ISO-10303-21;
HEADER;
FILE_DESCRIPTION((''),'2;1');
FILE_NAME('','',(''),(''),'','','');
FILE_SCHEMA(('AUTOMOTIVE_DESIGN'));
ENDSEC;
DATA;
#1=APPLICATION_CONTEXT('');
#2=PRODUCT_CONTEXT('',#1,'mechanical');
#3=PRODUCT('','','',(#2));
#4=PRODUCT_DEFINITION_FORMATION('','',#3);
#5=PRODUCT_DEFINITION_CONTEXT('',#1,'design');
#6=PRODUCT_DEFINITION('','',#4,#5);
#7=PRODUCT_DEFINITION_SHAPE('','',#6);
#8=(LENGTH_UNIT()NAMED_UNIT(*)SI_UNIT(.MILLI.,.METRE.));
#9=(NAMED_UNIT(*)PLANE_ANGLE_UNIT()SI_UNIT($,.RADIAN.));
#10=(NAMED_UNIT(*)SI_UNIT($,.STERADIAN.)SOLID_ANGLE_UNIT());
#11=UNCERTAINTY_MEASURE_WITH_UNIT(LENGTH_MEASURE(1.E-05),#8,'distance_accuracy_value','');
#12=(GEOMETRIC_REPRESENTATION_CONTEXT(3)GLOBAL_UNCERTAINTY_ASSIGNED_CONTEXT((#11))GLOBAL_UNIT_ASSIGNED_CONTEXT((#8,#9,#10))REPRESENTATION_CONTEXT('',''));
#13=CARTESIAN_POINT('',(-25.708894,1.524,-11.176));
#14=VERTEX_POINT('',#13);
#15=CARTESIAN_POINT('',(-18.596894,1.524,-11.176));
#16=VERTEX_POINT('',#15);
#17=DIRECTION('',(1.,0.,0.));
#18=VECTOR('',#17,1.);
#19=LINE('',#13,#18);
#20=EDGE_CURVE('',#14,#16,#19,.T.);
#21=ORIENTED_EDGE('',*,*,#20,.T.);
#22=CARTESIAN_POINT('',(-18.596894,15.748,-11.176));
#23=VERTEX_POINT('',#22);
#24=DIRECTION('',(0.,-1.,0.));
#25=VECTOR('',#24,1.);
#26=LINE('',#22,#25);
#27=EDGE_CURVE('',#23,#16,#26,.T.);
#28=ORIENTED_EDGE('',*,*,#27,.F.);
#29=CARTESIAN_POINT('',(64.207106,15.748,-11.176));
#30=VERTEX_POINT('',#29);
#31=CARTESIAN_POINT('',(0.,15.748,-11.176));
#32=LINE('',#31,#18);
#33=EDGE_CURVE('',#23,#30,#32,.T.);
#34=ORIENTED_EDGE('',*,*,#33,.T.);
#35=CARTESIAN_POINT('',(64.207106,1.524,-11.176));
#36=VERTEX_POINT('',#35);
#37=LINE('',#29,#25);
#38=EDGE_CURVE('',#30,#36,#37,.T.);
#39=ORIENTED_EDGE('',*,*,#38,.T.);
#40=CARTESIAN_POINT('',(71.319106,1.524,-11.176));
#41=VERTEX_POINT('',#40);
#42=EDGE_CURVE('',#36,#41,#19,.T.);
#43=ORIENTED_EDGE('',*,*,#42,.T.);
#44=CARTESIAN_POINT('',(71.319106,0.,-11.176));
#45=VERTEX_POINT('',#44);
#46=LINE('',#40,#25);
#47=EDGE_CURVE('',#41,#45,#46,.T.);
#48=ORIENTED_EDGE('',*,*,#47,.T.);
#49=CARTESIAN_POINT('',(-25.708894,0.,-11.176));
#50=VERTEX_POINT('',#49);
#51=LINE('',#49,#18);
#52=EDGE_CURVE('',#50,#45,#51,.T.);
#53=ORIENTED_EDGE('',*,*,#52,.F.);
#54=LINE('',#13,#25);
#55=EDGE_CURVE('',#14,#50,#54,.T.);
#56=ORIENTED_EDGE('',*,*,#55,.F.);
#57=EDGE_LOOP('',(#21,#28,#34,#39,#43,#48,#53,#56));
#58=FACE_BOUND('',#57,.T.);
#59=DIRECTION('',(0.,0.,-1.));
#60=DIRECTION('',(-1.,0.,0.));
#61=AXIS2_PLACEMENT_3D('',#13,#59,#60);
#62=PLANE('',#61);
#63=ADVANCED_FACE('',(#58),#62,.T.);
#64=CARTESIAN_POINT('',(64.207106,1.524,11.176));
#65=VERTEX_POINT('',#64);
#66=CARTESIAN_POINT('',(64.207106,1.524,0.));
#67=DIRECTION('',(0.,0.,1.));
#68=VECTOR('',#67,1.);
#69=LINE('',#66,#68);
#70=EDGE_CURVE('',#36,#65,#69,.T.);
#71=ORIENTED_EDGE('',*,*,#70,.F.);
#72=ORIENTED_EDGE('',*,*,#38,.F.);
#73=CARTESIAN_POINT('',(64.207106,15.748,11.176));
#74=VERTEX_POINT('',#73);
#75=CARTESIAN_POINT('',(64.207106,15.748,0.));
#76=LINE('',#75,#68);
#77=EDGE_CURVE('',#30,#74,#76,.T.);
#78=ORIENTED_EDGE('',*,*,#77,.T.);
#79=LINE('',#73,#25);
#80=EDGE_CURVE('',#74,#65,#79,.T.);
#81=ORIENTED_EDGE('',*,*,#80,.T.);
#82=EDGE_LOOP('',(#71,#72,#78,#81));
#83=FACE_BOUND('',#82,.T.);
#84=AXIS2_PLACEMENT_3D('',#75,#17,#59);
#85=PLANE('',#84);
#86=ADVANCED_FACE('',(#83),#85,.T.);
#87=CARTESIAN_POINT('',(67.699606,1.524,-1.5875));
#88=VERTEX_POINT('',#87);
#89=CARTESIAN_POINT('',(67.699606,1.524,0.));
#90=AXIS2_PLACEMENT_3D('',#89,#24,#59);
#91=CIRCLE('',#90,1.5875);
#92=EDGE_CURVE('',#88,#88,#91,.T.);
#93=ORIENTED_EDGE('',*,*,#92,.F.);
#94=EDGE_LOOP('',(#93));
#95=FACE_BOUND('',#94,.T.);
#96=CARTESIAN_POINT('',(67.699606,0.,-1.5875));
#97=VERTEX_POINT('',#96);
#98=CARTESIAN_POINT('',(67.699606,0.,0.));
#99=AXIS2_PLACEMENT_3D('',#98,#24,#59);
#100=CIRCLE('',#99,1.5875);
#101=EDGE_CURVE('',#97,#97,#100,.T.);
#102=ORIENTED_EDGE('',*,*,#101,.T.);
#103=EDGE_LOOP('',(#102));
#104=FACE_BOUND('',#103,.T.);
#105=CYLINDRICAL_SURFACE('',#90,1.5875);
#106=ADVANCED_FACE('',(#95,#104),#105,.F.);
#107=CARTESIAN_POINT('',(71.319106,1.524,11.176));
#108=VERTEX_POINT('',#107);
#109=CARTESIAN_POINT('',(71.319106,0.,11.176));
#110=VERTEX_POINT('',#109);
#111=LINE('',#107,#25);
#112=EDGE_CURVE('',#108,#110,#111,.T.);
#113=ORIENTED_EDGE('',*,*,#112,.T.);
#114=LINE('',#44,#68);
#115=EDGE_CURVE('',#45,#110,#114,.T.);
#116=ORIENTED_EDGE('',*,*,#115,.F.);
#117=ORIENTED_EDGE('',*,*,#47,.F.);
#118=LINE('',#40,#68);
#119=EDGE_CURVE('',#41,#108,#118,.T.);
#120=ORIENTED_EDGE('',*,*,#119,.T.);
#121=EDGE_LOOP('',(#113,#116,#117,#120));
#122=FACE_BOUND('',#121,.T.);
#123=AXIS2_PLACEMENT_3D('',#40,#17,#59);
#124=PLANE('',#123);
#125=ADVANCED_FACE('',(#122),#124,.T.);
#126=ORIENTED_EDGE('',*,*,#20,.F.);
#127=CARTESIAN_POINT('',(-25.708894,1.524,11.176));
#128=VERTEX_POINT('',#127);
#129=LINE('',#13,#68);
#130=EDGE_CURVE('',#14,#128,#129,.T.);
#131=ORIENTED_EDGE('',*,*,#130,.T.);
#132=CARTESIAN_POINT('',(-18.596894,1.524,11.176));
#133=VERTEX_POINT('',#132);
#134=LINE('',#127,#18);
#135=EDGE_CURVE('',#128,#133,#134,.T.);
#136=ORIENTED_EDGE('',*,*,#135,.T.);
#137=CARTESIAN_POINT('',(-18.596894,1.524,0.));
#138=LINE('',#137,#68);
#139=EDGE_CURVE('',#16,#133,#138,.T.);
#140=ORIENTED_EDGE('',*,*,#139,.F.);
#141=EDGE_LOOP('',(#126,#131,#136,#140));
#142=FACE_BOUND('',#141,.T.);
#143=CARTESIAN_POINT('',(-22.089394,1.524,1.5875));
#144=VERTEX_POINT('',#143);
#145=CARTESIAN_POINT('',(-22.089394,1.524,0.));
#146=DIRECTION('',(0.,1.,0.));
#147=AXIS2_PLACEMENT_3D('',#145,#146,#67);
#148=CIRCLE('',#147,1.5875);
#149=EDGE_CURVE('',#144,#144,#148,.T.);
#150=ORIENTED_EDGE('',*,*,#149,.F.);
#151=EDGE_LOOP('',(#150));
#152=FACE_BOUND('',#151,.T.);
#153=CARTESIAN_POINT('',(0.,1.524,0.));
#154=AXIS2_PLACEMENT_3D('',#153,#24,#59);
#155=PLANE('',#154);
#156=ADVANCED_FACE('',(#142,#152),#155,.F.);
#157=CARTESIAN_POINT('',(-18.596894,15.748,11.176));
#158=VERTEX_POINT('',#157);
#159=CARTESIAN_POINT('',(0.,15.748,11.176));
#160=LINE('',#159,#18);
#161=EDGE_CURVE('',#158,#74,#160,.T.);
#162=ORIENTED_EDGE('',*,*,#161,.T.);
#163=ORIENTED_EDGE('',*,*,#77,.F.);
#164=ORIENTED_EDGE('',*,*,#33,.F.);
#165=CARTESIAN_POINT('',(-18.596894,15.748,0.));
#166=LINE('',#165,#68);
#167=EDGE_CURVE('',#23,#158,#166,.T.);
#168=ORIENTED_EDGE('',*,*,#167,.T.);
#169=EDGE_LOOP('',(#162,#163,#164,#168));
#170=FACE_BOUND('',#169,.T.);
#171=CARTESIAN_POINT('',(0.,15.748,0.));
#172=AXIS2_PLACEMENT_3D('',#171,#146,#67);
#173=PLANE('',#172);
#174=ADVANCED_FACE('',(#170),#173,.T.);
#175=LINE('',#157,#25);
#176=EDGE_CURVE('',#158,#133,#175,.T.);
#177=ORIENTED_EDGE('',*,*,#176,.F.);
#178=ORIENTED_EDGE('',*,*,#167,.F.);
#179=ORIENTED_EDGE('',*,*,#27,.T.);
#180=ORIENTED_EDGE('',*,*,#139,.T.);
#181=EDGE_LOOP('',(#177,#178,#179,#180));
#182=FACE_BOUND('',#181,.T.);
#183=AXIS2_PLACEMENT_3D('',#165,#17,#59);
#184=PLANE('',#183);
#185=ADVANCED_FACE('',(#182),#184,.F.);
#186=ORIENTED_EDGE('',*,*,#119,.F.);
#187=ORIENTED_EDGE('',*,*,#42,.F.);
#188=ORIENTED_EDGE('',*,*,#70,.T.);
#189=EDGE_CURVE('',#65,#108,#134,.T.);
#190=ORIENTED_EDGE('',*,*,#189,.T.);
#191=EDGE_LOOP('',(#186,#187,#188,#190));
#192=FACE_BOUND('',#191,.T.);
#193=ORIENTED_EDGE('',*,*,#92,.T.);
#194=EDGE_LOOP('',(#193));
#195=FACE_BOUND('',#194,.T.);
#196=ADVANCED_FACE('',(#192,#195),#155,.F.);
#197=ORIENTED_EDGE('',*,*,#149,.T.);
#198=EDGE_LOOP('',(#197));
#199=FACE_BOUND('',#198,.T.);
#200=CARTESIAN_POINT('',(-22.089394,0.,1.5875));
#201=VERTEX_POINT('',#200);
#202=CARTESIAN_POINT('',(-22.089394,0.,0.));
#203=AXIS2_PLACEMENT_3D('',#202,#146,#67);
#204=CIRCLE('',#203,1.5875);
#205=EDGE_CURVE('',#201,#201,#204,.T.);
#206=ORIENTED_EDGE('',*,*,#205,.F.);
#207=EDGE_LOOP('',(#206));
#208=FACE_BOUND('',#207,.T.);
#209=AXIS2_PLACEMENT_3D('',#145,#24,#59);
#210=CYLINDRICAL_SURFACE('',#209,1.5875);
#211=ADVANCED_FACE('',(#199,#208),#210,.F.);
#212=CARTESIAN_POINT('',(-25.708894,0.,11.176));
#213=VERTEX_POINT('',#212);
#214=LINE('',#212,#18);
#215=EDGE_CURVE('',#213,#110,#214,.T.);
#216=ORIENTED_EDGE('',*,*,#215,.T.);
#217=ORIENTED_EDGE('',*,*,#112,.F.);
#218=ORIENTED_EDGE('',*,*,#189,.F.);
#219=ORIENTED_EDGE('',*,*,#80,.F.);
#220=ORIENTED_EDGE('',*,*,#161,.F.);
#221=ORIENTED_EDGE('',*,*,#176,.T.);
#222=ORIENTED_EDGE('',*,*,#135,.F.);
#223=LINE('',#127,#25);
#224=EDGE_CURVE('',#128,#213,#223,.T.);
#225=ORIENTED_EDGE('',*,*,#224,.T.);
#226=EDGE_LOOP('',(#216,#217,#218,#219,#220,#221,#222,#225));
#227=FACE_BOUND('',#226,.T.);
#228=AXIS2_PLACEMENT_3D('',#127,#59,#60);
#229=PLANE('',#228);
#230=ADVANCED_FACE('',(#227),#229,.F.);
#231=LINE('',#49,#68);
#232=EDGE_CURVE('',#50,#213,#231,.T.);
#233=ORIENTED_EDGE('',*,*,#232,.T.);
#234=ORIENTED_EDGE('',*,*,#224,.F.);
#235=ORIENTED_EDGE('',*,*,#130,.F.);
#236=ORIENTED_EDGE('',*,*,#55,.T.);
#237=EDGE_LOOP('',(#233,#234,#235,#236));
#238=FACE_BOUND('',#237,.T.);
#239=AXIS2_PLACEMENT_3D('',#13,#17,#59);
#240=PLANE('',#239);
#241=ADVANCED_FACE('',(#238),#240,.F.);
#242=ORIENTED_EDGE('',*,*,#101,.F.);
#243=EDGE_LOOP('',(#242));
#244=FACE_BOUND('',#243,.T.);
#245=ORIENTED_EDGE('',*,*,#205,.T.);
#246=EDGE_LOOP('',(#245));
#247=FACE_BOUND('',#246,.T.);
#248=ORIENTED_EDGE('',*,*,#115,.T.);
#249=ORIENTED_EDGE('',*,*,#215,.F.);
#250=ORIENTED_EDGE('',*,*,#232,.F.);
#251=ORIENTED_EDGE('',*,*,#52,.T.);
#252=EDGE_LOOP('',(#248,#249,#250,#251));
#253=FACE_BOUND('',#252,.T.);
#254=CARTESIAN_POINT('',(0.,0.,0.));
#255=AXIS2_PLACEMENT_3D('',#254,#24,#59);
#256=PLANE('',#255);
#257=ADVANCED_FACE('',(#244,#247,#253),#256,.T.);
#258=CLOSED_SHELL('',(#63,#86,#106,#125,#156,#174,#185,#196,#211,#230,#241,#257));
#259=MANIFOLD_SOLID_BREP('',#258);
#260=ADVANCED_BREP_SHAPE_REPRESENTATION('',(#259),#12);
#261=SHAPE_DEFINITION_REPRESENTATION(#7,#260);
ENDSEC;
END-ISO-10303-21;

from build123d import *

# Parameters (mm, degrees)
SKETCH1_W           = 97.028
SKETCH1_H           = 22.352
SKETCH1_R           = 1.5875
BOSS_EXTRUDE1_DEPTH = 1.524
SKETCH1_3_W         = 82.804
SKETCH1_3_H         = 22.352
BOSS_EXTRUDE2_DEPTH = 15.748


with BuildPart() as part:
    # Sketch1 → Boss-Extrude1 (new body)
    with BuildSketch(Plane(origin=(0, 0, 0), x_dir=(1, 0, 0), z_dir=(0, 1, 0))):
        with Locations((22.805106227, 0)):
            Rectangle(SKETCH1_W, SKETCH1_H)
        with Locations((-22.089393773, 0)):
            Circle(SKETCH1_R, mode=Mode.SUBTRACT)
        with Locations((67.699606227, 0)):
            Circle(SKETCH1_R, mode=Mode.SUBTRACT)
    extrude(amount=BOSS_EXTRUDE1_DEPTH)

    # Sketch1<3> → Boss-Extrude2 (add)
    with BuildSketch(Plane(origin=(0, 0, 0), x_dir=(1, 0, 0), z_dir=(0, 1, 0))):
        with Locations((22.805106227, 0)):
            Rectangle(SKETCH1_3_W, SKETCH1_3_H)
    extrude(amount=BOSS_EXTRUDE2_DEPTH)


solid = part.part
